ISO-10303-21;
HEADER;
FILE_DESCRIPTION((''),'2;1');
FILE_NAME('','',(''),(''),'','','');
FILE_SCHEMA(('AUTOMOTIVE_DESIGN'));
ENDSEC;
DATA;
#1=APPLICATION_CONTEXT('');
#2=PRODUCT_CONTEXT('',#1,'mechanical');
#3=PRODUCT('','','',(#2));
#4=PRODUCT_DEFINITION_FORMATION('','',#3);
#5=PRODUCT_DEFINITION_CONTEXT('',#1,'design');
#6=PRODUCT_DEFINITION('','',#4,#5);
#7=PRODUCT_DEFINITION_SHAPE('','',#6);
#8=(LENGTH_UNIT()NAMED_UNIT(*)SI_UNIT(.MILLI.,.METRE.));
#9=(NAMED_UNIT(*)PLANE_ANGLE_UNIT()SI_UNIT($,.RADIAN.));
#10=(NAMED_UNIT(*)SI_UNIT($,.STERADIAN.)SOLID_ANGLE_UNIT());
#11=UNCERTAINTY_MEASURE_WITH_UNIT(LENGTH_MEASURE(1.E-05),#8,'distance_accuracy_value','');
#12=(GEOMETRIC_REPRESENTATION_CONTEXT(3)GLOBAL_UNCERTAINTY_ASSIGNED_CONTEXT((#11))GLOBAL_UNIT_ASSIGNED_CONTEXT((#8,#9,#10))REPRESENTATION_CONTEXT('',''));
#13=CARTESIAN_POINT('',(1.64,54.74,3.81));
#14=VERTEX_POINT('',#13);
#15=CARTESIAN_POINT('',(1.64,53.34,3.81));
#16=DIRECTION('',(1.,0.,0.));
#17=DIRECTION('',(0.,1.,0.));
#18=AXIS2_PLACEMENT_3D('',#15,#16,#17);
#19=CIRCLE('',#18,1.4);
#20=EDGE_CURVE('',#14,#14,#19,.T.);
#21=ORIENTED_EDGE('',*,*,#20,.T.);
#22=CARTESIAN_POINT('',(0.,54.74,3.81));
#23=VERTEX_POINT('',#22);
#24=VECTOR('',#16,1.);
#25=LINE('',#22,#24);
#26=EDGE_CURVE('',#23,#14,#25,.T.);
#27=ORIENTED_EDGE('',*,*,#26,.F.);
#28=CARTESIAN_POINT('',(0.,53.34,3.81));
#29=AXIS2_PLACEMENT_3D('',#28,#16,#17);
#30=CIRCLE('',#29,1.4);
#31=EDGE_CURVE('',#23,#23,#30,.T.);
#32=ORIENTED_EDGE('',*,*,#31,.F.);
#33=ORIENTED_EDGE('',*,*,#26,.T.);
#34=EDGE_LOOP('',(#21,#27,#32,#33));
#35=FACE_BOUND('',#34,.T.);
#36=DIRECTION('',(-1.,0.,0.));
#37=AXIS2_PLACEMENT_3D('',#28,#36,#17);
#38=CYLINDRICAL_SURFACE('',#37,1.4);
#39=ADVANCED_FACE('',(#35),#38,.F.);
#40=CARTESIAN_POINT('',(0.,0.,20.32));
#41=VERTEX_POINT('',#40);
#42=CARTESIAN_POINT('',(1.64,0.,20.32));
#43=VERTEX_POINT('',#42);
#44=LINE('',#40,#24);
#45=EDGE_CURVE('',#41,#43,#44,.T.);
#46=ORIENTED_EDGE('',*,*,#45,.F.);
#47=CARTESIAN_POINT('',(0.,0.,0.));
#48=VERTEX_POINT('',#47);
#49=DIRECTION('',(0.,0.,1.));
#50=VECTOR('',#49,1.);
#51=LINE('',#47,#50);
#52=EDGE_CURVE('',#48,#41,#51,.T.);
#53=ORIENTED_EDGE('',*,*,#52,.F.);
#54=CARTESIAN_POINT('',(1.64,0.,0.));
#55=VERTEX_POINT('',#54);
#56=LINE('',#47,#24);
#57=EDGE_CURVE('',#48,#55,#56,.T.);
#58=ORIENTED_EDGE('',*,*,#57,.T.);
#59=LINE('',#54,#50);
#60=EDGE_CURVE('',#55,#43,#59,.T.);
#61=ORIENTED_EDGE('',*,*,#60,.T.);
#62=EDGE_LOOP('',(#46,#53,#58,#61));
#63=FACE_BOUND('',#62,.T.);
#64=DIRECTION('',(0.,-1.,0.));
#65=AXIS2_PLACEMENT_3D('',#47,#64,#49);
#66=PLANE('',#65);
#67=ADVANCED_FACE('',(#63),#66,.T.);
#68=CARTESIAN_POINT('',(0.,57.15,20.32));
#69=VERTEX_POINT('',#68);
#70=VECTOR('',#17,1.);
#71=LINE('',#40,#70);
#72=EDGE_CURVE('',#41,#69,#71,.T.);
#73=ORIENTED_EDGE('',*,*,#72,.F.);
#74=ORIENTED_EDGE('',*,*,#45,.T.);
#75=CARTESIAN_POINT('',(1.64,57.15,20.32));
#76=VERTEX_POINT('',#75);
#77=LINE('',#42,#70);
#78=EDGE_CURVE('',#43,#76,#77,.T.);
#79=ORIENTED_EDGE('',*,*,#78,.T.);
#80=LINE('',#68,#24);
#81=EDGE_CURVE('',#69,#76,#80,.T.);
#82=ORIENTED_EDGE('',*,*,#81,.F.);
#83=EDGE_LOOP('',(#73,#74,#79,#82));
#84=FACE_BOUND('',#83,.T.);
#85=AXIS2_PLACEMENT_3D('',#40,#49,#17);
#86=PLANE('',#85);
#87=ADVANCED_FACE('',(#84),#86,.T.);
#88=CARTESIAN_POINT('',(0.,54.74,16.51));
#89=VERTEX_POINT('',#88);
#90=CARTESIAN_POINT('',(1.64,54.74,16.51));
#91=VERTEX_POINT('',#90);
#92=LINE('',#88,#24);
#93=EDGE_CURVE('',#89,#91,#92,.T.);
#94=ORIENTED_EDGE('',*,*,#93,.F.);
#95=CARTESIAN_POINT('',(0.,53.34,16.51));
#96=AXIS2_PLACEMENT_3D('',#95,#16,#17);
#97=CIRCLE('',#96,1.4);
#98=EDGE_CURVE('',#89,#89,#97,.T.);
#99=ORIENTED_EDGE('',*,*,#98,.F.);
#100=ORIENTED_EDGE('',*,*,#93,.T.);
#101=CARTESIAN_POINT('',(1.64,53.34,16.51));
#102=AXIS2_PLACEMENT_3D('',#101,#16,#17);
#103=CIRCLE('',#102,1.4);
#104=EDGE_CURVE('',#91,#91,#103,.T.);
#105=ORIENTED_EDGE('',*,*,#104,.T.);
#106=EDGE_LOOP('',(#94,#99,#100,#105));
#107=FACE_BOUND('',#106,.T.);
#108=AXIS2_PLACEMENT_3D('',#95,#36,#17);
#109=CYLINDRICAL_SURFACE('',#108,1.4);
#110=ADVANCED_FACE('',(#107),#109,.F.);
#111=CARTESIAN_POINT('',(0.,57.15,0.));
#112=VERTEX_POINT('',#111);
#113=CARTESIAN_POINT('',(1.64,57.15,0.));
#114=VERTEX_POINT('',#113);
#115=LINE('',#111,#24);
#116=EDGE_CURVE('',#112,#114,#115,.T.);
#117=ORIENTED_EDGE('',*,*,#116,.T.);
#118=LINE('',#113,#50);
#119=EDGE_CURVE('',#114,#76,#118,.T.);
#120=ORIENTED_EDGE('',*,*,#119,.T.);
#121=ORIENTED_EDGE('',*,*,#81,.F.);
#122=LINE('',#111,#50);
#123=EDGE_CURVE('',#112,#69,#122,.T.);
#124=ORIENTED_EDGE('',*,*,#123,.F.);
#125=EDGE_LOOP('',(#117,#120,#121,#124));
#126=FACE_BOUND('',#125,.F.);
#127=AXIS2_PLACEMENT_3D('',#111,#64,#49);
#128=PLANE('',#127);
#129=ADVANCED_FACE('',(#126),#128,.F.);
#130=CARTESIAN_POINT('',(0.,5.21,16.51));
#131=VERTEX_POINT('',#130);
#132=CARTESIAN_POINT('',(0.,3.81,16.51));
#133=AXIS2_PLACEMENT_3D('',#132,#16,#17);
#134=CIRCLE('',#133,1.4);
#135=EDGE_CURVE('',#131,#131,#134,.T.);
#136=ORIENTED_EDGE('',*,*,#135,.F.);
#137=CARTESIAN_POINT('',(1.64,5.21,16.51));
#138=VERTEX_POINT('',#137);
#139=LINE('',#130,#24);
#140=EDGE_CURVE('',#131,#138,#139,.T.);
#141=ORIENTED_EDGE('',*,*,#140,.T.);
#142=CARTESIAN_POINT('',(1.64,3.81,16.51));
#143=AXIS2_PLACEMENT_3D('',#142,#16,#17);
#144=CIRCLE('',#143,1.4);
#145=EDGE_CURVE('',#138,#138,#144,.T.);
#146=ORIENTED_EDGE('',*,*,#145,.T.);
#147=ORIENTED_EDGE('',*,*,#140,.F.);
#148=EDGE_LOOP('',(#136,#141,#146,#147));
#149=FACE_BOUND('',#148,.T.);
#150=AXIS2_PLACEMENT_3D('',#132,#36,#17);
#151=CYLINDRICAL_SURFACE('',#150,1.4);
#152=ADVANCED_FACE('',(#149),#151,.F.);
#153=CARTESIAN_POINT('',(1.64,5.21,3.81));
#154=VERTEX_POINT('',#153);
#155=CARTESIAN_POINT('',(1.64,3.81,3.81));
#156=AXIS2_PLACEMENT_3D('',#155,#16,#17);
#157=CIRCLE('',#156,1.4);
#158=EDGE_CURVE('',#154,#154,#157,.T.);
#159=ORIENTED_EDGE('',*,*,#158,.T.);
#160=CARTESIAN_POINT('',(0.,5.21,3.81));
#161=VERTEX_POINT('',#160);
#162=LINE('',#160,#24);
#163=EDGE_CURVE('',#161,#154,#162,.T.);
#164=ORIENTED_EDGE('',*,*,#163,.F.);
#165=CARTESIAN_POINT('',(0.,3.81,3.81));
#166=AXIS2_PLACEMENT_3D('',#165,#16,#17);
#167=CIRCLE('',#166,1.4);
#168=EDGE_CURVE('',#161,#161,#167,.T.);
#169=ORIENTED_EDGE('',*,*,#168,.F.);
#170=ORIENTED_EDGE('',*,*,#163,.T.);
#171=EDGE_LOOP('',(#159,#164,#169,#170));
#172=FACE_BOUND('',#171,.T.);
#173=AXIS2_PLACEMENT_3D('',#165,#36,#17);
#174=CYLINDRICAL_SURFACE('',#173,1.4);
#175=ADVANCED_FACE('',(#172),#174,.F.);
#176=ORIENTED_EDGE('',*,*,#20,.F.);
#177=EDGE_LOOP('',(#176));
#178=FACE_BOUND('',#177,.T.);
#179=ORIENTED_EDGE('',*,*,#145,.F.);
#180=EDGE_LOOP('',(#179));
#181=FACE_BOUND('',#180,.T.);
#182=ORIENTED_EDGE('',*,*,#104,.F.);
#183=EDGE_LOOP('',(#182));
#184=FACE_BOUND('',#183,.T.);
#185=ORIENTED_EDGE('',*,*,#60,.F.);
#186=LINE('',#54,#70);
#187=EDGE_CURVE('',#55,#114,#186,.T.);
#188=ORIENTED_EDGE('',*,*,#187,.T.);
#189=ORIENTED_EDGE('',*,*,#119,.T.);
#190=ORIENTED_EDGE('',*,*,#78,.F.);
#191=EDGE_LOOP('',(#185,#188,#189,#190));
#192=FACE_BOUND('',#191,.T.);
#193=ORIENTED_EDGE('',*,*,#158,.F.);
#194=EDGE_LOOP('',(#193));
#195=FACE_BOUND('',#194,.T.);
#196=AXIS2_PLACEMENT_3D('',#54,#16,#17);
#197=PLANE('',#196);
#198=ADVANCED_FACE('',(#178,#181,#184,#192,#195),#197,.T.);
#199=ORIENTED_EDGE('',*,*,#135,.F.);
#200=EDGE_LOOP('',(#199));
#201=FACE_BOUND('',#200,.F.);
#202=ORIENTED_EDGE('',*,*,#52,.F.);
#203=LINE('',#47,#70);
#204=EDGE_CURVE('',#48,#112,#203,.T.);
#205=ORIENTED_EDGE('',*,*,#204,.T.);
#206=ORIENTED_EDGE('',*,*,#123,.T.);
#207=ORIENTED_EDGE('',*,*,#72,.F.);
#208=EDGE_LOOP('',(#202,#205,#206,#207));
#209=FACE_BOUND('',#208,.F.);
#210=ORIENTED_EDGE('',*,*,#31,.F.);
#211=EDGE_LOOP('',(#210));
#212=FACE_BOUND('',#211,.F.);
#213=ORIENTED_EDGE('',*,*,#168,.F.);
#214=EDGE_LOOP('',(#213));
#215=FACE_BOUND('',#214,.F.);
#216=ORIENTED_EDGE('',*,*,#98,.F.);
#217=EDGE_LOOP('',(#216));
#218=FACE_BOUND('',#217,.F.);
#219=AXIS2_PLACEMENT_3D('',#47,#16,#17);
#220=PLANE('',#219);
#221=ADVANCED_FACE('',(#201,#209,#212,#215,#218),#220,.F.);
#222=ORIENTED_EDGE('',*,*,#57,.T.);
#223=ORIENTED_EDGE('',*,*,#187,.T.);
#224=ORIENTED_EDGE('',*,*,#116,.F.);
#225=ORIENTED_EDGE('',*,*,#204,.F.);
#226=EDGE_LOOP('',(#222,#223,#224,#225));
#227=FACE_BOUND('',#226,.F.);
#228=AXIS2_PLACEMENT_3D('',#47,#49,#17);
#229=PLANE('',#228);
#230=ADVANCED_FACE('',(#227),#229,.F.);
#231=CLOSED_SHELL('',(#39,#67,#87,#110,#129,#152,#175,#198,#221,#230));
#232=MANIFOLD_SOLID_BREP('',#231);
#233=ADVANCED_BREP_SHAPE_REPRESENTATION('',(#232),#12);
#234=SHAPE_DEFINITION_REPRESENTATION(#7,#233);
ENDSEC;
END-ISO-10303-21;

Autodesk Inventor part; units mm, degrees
ref_plane "YZ Plane" through (0, 0, 0) normal (1, 0, 0) x (0, 1, 0)
ref_plane "XZ Plane" through (0, 0, 0) normal (0, 1, 0) x (-1, 0, 0)
ref_plane "XY Plane" through (0, 0, 0) normal (0, 0, 1) x (1, 0, 0)
sketch "Sketch1" plane through (0, 0, 0) normal (1, 0, 0) x (0, 1, 0)
  line L0 (0, 0) -> (57.15, 0)
  line L1 (57.15, 0) -> (57.15, 20.32)
  line L2 (0, 0) -> (0, 20.32)
  line L3 (28.575, 0) -> (28.575, 8.5438) construction
  circle A0 centre (3.81, 3.81) radius 1.4
  circle A1 centre (53.34, 3.81) radius 1.4
  circle A2 centre (53.34, 16.51) radius 1.4
  circle A3 centre (3.81, 16.51) radius 1.4
  line L4 (0, 20.32) -> (57.15, 20.32)
  dimension "d0" = 57.15
  dimension "d1" = 20.32
  dimension "d2" = 20.32
  dimension "d5" = 2.8
  dimension "d6" = 3.81
  dimension "d7" = 3.81
  dimension "d14" = 2.8
  dimension "d15" = 12.7
  dimension "d18" = 49.53
extrude "Extrusion1" add sketch "Sketch1" along normal blind 1.64
properties part number "PCBModuleLeft02" material "PCB(1)"
